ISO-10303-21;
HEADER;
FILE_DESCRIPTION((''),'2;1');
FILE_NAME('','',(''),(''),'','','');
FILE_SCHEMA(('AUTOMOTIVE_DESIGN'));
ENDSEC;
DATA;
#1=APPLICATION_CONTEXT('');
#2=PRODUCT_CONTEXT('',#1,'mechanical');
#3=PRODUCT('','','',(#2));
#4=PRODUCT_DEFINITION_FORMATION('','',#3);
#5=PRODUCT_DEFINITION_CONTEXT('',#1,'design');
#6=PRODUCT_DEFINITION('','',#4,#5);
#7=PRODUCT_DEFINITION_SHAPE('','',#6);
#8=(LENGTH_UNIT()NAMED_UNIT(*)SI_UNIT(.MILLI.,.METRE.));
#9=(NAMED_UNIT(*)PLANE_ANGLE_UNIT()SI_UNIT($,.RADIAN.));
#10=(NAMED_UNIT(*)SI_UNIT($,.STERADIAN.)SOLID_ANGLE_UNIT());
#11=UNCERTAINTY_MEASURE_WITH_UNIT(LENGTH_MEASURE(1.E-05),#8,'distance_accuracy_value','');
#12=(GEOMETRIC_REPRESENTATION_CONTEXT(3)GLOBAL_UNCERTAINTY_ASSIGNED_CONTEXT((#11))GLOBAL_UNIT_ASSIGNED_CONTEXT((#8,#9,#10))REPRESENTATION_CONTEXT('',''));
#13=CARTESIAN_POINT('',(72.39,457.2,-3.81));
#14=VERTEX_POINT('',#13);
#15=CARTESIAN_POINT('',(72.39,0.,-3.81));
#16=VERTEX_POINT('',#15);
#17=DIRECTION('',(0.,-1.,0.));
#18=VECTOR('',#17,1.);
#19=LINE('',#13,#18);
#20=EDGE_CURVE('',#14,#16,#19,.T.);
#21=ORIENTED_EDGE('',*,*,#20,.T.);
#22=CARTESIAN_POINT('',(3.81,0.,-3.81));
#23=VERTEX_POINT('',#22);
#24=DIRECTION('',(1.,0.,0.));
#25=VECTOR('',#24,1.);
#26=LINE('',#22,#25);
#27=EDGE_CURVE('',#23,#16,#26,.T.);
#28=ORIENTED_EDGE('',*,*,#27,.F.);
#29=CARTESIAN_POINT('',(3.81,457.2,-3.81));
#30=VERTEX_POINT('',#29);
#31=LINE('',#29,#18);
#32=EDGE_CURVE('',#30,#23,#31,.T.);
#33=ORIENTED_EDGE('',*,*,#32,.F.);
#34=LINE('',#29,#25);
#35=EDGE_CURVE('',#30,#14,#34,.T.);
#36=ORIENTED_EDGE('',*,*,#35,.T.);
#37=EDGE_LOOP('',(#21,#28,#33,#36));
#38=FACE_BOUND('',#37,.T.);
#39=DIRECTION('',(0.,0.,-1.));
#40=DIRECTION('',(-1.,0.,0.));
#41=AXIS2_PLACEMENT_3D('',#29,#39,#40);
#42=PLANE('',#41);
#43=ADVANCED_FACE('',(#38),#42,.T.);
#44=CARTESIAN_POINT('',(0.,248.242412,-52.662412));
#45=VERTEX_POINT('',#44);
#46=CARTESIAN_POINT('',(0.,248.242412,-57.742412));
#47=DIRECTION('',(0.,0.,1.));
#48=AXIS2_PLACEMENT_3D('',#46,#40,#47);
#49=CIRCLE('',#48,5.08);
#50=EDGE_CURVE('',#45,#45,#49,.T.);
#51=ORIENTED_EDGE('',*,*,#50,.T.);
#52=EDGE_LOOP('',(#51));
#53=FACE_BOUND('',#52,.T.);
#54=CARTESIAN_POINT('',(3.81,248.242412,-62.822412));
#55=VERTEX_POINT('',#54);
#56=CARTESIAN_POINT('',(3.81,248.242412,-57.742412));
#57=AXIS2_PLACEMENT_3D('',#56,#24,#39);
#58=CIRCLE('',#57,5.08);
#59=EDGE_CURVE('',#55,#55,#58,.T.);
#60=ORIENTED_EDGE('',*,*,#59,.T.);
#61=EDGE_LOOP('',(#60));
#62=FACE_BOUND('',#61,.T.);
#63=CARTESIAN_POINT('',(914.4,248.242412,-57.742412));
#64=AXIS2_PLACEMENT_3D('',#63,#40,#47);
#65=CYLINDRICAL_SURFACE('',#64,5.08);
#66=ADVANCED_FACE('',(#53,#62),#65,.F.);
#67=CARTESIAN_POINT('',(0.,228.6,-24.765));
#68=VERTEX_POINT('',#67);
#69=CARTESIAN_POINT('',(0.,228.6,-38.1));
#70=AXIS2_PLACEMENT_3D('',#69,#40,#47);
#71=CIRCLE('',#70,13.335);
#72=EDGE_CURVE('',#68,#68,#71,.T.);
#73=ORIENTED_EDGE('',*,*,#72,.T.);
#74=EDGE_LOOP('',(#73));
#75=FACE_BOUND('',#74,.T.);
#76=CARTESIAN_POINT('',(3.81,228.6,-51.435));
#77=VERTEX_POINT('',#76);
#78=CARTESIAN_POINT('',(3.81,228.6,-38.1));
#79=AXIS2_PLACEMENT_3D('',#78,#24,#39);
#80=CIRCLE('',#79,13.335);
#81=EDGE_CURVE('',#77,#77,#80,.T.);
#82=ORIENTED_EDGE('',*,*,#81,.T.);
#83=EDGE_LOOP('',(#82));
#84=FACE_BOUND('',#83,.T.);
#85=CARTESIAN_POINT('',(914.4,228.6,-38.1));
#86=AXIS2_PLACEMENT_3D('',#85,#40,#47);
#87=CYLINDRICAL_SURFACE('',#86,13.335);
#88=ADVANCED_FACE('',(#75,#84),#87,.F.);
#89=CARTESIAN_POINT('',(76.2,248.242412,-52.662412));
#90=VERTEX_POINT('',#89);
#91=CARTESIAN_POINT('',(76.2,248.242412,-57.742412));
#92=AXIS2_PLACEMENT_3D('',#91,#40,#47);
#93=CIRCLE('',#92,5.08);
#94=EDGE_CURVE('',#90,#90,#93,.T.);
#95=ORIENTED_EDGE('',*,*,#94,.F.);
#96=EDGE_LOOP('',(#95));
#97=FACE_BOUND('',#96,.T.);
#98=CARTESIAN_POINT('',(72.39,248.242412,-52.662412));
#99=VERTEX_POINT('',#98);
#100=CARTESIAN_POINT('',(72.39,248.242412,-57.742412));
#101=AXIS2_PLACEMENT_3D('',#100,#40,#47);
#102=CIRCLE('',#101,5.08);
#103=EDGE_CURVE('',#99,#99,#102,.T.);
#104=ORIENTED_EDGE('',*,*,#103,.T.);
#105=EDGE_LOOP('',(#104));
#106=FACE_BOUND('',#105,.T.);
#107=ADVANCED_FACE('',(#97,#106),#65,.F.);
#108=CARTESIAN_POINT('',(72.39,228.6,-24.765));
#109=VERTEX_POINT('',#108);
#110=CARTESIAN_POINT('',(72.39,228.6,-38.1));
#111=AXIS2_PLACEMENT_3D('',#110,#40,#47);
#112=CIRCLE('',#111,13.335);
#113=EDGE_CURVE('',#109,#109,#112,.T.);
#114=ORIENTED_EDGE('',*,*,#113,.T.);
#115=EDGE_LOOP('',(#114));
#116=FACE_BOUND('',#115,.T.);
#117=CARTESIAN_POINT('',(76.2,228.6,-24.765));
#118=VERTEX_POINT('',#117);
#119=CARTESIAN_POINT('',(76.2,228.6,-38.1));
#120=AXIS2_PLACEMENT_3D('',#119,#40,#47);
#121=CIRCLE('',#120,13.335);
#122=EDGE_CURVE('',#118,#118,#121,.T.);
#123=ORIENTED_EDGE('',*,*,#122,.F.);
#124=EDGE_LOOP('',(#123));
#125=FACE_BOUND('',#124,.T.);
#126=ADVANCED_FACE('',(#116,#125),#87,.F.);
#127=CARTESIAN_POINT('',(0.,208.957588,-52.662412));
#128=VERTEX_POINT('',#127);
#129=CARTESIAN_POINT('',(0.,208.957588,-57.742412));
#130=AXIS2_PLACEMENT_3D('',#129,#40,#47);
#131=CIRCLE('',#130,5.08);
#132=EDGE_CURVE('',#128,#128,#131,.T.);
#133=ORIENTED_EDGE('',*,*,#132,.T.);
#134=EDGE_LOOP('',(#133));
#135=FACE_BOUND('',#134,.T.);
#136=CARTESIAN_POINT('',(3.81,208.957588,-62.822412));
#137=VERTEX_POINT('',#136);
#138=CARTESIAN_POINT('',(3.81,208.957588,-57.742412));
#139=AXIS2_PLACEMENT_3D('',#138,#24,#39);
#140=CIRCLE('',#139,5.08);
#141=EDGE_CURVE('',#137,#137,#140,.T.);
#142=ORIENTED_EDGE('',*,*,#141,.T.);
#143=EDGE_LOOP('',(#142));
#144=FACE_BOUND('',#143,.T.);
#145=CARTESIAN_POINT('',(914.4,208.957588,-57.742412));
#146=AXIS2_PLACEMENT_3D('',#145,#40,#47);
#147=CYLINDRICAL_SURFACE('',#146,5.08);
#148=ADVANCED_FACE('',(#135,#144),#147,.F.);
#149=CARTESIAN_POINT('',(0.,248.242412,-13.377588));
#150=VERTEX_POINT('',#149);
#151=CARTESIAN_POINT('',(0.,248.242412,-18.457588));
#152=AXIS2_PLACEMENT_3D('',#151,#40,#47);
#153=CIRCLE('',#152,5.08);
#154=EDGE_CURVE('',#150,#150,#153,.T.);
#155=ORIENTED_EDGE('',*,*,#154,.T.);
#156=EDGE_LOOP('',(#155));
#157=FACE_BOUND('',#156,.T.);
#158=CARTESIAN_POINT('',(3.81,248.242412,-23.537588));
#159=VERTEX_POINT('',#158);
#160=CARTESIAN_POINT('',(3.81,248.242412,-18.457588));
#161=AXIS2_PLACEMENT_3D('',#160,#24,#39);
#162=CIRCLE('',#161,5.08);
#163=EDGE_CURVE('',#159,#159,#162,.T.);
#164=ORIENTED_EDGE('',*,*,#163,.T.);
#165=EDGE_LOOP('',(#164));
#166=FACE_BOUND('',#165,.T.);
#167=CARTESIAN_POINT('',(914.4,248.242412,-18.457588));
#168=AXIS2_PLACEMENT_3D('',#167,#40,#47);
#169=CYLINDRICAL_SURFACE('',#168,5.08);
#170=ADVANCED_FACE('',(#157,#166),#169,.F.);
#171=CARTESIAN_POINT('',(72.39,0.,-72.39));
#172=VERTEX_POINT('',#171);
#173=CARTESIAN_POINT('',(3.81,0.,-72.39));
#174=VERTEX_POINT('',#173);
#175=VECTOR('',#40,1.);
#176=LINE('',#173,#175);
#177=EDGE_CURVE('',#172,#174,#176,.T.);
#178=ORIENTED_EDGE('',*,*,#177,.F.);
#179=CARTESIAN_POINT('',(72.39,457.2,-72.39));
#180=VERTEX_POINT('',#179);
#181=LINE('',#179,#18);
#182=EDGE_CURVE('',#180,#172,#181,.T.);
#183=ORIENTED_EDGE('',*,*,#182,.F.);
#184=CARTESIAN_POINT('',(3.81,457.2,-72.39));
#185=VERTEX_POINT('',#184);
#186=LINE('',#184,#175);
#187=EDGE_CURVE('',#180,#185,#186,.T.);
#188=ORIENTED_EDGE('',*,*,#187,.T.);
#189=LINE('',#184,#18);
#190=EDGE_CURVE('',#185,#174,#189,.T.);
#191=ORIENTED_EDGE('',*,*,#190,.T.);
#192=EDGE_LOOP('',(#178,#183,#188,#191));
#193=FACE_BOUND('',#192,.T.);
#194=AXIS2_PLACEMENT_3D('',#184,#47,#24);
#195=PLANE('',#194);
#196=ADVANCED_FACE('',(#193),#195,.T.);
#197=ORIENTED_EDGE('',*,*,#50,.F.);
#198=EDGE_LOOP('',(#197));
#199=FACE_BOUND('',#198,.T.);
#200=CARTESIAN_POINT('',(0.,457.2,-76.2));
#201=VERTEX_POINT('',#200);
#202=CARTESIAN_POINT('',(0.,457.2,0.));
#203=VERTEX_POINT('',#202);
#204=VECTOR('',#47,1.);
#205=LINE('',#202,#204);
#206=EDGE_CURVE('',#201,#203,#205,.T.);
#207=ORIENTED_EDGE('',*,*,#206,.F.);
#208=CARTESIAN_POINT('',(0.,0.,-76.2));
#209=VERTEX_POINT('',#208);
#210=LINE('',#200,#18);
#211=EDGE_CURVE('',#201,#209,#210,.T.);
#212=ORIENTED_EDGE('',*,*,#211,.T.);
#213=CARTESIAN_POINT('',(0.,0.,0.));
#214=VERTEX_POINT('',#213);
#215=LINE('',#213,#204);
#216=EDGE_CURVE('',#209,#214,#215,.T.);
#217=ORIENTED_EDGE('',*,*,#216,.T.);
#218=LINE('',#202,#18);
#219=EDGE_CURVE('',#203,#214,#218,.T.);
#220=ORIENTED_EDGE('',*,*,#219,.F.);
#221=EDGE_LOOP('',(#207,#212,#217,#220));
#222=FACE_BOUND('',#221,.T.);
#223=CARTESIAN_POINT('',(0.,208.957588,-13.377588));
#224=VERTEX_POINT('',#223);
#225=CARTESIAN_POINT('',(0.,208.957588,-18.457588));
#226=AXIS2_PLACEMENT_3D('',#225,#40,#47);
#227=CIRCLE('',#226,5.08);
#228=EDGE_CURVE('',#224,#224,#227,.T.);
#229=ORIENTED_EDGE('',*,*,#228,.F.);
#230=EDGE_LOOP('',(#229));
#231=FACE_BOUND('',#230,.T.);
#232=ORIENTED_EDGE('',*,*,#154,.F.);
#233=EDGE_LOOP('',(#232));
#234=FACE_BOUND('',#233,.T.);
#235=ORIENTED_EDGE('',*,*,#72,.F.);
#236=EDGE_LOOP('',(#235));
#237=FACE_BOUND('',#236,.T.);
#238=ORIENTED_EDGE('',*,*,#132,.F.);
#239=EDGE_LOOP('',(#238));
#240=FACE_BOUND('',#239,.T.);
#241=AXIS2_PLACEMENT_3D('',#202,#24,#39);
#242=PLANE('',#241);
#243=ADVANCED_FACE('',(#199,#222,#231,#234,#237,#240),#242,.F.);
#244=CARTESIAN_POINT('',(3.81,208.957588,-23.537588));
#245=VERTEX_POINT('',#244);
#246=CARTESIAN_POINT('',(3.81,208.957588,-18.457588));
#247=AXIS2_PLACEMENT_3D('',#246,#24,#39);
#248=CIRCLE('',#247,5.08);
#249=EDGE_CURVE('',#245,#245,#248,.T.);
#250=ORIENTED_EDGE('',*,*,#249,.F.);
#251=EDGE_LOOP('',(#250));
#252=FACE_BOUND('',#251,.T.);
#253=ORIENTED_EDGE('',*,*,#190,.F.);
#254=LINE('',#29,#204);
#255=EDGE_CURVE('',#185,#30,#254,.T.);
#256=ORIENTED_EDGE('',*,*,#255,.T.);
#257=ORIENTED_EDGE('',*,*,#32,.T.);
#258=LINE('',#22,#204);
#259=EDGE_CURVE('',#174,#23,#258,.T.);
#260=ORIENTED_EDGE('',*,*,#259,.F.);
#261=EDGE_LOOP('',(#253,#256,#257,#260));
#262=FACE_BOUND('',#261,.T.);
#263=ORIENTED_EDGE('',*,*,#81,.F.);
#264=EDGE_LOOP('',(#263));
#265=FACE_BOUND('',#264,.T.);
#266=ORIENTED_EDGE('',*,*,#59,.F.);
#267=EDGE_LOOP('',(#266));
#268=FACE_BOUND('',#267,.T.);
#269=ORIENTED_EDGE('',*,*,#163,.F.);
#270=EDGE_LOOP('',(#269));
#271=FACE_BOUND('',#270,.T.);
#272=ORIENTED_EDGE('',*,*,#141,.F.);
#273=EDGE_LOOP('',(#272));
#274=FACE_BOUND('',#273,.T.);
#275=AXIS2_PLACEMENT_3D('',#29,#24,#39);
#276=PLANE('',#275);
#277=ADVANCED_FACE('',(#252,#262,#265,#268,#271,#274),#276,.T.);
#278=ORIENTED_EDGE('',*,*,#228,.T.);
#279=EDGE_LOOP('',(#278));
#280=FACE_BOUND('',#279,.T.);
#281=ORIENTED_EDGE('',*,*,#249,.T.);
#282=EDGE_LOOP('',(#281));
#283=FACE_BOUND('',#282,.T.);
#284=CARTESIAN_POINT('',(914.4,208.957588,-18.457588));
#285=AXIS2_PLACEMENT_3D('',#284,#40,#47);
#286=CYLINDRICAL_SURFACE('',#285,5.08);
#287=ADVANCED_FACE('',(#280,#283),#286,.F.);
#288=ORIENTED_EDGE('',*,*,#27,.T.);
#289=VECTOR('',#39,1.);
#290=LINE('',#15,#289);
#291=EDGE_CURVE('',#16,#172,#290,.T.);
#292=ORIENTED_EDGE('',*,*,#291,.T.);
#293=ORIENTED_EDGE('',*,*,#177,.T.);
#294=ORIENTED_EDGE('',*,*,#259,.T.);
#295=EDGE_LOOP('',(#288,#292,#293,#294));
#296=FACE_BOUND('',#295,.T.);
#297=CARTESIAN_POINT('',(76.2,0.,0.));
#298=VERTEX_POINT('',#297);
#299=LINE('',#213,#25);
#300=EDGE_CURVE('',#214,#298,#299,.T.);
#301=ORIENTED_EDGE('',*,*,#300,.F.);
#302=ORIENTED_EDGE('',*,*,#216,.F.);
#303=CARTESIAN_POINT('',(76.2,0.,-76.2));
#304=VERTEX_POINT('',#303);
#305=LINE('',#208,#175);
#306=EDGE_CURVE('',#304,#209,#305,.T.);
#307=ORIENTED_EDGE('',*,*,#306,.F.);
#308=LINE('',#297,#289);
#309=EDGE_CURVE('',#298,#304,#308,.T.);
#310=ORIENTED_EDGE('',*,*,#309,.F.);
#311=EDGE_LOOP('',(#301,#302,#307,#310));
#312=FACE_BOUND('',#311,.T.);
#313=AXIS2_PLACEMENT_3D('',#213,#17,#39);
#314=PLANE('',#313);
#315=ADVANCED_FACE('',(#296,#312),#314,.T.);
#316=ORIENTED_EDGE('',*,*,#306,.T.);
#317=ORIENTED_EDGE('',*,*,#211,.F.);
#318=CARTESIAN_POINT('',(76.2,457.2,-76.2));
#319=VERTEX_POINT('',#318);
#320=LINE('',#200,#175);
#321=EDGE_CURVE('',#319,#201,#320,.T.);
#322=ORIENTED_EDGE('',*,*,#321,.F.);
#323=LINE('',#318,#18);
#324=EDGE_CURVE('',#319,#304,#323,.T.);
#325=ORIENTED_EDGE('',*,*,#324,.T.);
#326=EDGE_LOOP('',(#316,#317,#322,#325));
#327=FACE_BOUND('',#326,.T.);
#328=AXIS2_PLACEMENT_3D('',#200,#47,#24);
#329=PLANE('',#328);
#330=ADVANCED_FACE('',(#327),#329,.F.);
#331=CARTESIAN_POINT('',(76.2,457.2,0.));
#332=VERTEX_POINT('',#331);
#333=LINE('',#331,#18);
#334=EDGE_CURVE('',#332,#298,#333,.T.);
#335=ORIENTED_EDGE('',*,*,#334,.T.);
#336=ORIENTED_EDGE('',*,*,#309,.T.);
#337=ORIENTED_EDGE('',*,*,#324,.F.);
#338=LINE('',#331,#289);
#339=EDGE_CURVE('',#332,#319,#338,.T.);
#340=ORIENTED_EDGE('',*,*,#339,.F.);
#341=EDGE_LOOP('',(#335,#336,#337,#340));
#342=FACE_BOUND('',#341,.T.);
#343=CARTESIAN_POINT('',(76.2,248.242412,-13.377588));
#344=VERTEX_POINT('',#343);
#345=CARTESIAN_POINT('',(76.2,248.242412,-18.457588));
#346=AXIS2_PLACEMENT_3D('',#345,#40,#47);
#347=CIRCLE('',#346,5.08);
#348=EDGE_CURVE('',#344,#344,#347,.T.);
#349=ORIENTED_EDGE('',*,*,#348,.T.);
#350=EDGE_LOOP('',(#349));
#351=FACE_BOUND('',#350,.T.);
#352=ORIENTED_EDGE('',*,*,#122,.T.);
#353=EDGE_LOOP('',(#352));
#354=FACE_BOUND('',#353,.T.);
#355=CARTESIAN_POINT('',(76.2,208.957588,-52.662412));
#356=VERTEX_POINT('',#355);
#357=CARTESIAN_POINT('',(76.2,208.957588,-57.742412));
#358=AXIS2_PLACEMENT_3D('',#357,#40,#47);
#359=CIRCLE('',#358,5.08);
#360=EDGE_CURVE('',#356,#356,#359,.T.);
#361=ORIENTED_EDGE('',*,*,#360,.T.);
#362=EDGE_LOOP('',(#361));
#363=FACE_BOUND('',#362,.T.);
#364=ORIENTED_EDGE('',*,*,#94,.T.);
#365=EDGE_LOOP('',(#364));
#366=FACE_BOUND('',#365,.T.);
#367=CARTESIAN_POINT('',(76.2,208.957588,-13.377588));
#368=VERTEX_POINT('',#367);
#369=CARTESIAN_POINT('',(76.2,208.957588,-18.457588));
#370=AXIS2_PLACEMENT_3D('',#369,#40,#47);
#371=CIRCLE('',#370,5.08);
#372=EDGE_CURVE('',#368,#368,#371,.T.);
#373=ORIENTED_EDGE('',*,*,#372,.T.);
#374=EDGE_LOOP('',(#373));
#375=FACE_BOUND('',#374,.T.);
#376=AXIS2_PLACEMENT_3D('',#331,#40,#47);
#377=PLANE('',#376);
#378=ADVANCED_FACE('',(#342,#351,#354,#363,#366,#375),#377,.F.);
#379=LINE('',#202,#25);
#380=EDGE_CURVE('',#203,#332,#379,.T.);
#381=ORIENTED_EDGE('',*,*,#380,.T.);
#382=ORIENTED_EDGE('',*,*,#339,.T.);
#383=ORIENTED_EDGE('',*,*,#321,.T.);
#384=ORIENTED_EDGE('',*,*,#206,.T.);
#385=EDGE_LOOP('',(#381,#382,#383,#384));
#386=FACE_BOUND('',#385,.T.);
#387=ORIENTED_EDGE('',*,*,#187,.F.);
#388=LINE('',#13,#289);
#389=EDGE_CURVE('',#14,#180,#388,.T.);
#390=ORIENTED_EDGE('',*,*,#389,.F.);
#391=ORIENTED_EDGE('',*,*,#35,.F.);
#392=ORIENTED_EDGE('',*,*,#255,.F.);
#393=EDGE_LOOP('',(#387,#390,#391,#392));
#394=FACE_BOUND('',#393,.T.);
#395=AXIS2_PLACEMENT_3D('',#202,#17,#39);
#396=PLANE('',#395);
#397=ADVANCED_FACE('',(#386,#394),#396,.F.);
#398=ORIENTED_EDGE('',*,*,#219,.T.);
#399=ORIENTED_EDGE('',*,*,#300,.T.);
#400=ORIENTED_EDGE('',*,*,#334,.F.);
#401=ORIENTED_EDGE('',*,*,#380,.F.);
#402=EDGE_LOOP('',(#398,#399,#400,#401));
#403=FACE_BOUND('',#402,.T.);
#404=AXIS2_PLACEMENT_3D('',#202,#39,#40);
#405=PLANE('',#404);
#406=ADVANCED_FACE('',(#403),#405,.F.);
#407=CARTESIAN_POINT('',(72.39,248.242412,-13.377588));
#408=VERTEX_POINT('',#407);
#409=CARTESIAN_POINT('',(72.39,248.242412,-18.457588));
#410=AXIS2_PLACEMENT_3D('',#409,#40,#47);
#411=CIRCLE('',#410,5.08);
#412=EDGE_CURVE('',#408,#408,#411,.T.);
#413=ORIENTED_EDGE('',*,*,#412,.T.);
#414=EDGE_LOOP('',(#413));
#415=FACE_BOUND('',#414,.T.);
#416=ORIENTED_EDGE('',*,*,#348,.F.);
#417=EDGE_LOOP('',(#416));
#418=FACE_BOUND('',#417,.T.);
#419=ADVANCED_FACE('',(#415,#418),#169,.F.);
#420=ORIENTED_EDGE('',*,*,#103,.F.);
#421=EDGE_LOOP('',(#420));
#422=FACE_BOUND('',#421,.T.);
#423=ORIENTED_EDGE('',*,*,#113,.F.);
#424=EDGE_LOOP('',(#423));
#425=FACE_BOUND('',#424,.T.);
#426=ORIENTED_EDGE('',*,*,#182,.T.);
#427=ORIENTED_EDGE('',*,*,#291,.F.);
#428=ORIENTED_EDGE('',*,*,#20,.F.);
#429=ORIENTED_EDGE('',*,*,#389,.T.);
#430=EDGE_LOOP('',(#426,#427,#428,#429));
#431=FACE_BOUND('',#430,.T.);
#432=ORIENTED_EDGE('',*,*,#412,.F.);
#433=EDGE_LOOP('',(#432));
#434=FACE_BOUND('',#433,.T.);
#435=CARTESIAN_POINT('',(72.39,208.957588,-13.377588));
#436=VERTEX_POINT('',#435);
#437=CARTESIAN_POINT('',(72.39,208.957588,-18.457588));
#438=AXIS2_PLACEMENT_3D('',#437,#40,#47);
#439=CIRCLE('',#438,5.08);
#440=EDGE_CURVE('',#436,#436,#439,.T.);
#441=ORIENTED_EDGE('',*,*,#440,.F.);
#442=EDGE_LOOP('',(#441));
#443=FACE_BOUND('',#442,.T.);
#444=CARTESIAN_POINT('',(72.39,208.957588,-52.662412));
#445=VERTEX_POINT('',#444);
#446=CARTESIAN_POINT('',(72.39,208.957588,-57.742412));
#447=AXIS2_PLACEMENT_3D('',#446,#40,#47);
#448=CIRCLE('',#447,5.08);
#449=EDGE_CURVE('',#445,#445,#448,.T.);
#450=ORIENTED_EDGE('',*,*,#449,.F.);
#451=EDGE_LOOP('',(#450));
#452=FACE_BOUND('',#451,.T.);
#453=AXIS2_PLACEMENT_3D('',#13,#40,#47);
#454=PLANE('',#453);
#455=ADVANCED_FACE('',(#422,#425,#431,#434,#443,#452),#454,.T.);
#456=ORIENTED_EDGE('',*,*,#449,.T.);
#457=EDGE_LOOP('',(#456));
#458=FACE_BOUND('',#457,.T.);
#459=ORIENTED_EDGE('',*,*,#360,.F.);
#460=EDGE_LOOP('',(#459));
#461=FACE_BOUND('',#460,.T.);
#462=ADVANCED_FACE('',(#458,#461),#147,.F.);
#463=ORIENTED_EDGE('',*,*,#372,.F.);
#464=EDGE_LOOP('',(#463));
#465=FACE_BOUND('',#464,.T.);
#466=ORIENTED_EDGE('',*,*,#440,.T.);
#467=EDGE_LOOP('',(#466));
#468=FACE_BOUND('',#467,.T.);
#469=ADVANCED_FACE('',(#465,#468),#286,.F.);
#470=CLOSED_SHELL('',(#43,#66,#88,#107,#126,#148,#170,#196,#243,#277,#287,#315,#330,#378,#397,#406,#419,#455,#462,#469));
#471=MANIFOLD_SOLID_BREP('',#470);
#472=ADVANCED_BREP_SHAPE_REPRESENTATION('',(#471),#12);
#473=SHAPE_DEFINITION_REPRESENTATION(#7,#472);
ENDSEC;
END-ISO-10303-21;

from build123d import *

# Parameters (mm, degrees)
SKETCH1_W           = 76.2
SKETCH1_H           = 76.2
SKETCH1_W_2         = 68.58
SKETCH1_H_2         = 68.58
BOSS_EXTRUDE1_DEPTH = 457.2
SKETCH2_R           = 13.335
CUT_EXTRUDE1_DEPTH  = 914.4
SKETCH3_R           = 5.08
CUT_EXTRUDE2_DEPTH  = 914.4


with BuildPart() as part:
    # Sketch1 → Boss-Extrude1 (new body)
    with BuildSketch(Plane(origin=(0, 0, 0), x_dir=(1, 0, 0), z_dir=(0, 1, 0))):
        with Locations((38.1, 38.1)):
            Rectangle(SKETCH1_W, SKETCH1_H)
        with Locations((38.1, 38.1)):
            Rectangle(SKETCH1_W_2, SKETCH1_H_2, mode=Mode.SUBTRACT)
    extrude(amount=BOSS_EXTRUDE1_DEPTH)

    # Sketch2 → Cut-Extrude1 (cut)
    with BuildSketch(Plane.ZY):
        with Locations((-38.1, 228.6)):
            Circle(SKETCH2_R)
    extrude(amount=-CUT_EXTRUDE1_DEPTH, mode=Mode.SUBTRACT)

    # Sketch3 → Cut-Extrude2 (cut)
    with BuildSketch(Plane.ZY):
        with Locations((-57.742411839, 248.242411839)):
            Circle(SKETCH3_R)
        with Locations((-18.457588161, 248.242411839)):
            Circle(SKETCH3_R)
        with Locations((-57.742411839, 208.957588161)):
            Circle(SKETCH3_R)
        with Locations((-18.457588161, 208.957588161)):
            Circle(SKETCH3_R)
    extrude(amount=-CUT_EXTRUDE2_DEPTH, mode=Mode.SUBTRACT)


solid = part.part
